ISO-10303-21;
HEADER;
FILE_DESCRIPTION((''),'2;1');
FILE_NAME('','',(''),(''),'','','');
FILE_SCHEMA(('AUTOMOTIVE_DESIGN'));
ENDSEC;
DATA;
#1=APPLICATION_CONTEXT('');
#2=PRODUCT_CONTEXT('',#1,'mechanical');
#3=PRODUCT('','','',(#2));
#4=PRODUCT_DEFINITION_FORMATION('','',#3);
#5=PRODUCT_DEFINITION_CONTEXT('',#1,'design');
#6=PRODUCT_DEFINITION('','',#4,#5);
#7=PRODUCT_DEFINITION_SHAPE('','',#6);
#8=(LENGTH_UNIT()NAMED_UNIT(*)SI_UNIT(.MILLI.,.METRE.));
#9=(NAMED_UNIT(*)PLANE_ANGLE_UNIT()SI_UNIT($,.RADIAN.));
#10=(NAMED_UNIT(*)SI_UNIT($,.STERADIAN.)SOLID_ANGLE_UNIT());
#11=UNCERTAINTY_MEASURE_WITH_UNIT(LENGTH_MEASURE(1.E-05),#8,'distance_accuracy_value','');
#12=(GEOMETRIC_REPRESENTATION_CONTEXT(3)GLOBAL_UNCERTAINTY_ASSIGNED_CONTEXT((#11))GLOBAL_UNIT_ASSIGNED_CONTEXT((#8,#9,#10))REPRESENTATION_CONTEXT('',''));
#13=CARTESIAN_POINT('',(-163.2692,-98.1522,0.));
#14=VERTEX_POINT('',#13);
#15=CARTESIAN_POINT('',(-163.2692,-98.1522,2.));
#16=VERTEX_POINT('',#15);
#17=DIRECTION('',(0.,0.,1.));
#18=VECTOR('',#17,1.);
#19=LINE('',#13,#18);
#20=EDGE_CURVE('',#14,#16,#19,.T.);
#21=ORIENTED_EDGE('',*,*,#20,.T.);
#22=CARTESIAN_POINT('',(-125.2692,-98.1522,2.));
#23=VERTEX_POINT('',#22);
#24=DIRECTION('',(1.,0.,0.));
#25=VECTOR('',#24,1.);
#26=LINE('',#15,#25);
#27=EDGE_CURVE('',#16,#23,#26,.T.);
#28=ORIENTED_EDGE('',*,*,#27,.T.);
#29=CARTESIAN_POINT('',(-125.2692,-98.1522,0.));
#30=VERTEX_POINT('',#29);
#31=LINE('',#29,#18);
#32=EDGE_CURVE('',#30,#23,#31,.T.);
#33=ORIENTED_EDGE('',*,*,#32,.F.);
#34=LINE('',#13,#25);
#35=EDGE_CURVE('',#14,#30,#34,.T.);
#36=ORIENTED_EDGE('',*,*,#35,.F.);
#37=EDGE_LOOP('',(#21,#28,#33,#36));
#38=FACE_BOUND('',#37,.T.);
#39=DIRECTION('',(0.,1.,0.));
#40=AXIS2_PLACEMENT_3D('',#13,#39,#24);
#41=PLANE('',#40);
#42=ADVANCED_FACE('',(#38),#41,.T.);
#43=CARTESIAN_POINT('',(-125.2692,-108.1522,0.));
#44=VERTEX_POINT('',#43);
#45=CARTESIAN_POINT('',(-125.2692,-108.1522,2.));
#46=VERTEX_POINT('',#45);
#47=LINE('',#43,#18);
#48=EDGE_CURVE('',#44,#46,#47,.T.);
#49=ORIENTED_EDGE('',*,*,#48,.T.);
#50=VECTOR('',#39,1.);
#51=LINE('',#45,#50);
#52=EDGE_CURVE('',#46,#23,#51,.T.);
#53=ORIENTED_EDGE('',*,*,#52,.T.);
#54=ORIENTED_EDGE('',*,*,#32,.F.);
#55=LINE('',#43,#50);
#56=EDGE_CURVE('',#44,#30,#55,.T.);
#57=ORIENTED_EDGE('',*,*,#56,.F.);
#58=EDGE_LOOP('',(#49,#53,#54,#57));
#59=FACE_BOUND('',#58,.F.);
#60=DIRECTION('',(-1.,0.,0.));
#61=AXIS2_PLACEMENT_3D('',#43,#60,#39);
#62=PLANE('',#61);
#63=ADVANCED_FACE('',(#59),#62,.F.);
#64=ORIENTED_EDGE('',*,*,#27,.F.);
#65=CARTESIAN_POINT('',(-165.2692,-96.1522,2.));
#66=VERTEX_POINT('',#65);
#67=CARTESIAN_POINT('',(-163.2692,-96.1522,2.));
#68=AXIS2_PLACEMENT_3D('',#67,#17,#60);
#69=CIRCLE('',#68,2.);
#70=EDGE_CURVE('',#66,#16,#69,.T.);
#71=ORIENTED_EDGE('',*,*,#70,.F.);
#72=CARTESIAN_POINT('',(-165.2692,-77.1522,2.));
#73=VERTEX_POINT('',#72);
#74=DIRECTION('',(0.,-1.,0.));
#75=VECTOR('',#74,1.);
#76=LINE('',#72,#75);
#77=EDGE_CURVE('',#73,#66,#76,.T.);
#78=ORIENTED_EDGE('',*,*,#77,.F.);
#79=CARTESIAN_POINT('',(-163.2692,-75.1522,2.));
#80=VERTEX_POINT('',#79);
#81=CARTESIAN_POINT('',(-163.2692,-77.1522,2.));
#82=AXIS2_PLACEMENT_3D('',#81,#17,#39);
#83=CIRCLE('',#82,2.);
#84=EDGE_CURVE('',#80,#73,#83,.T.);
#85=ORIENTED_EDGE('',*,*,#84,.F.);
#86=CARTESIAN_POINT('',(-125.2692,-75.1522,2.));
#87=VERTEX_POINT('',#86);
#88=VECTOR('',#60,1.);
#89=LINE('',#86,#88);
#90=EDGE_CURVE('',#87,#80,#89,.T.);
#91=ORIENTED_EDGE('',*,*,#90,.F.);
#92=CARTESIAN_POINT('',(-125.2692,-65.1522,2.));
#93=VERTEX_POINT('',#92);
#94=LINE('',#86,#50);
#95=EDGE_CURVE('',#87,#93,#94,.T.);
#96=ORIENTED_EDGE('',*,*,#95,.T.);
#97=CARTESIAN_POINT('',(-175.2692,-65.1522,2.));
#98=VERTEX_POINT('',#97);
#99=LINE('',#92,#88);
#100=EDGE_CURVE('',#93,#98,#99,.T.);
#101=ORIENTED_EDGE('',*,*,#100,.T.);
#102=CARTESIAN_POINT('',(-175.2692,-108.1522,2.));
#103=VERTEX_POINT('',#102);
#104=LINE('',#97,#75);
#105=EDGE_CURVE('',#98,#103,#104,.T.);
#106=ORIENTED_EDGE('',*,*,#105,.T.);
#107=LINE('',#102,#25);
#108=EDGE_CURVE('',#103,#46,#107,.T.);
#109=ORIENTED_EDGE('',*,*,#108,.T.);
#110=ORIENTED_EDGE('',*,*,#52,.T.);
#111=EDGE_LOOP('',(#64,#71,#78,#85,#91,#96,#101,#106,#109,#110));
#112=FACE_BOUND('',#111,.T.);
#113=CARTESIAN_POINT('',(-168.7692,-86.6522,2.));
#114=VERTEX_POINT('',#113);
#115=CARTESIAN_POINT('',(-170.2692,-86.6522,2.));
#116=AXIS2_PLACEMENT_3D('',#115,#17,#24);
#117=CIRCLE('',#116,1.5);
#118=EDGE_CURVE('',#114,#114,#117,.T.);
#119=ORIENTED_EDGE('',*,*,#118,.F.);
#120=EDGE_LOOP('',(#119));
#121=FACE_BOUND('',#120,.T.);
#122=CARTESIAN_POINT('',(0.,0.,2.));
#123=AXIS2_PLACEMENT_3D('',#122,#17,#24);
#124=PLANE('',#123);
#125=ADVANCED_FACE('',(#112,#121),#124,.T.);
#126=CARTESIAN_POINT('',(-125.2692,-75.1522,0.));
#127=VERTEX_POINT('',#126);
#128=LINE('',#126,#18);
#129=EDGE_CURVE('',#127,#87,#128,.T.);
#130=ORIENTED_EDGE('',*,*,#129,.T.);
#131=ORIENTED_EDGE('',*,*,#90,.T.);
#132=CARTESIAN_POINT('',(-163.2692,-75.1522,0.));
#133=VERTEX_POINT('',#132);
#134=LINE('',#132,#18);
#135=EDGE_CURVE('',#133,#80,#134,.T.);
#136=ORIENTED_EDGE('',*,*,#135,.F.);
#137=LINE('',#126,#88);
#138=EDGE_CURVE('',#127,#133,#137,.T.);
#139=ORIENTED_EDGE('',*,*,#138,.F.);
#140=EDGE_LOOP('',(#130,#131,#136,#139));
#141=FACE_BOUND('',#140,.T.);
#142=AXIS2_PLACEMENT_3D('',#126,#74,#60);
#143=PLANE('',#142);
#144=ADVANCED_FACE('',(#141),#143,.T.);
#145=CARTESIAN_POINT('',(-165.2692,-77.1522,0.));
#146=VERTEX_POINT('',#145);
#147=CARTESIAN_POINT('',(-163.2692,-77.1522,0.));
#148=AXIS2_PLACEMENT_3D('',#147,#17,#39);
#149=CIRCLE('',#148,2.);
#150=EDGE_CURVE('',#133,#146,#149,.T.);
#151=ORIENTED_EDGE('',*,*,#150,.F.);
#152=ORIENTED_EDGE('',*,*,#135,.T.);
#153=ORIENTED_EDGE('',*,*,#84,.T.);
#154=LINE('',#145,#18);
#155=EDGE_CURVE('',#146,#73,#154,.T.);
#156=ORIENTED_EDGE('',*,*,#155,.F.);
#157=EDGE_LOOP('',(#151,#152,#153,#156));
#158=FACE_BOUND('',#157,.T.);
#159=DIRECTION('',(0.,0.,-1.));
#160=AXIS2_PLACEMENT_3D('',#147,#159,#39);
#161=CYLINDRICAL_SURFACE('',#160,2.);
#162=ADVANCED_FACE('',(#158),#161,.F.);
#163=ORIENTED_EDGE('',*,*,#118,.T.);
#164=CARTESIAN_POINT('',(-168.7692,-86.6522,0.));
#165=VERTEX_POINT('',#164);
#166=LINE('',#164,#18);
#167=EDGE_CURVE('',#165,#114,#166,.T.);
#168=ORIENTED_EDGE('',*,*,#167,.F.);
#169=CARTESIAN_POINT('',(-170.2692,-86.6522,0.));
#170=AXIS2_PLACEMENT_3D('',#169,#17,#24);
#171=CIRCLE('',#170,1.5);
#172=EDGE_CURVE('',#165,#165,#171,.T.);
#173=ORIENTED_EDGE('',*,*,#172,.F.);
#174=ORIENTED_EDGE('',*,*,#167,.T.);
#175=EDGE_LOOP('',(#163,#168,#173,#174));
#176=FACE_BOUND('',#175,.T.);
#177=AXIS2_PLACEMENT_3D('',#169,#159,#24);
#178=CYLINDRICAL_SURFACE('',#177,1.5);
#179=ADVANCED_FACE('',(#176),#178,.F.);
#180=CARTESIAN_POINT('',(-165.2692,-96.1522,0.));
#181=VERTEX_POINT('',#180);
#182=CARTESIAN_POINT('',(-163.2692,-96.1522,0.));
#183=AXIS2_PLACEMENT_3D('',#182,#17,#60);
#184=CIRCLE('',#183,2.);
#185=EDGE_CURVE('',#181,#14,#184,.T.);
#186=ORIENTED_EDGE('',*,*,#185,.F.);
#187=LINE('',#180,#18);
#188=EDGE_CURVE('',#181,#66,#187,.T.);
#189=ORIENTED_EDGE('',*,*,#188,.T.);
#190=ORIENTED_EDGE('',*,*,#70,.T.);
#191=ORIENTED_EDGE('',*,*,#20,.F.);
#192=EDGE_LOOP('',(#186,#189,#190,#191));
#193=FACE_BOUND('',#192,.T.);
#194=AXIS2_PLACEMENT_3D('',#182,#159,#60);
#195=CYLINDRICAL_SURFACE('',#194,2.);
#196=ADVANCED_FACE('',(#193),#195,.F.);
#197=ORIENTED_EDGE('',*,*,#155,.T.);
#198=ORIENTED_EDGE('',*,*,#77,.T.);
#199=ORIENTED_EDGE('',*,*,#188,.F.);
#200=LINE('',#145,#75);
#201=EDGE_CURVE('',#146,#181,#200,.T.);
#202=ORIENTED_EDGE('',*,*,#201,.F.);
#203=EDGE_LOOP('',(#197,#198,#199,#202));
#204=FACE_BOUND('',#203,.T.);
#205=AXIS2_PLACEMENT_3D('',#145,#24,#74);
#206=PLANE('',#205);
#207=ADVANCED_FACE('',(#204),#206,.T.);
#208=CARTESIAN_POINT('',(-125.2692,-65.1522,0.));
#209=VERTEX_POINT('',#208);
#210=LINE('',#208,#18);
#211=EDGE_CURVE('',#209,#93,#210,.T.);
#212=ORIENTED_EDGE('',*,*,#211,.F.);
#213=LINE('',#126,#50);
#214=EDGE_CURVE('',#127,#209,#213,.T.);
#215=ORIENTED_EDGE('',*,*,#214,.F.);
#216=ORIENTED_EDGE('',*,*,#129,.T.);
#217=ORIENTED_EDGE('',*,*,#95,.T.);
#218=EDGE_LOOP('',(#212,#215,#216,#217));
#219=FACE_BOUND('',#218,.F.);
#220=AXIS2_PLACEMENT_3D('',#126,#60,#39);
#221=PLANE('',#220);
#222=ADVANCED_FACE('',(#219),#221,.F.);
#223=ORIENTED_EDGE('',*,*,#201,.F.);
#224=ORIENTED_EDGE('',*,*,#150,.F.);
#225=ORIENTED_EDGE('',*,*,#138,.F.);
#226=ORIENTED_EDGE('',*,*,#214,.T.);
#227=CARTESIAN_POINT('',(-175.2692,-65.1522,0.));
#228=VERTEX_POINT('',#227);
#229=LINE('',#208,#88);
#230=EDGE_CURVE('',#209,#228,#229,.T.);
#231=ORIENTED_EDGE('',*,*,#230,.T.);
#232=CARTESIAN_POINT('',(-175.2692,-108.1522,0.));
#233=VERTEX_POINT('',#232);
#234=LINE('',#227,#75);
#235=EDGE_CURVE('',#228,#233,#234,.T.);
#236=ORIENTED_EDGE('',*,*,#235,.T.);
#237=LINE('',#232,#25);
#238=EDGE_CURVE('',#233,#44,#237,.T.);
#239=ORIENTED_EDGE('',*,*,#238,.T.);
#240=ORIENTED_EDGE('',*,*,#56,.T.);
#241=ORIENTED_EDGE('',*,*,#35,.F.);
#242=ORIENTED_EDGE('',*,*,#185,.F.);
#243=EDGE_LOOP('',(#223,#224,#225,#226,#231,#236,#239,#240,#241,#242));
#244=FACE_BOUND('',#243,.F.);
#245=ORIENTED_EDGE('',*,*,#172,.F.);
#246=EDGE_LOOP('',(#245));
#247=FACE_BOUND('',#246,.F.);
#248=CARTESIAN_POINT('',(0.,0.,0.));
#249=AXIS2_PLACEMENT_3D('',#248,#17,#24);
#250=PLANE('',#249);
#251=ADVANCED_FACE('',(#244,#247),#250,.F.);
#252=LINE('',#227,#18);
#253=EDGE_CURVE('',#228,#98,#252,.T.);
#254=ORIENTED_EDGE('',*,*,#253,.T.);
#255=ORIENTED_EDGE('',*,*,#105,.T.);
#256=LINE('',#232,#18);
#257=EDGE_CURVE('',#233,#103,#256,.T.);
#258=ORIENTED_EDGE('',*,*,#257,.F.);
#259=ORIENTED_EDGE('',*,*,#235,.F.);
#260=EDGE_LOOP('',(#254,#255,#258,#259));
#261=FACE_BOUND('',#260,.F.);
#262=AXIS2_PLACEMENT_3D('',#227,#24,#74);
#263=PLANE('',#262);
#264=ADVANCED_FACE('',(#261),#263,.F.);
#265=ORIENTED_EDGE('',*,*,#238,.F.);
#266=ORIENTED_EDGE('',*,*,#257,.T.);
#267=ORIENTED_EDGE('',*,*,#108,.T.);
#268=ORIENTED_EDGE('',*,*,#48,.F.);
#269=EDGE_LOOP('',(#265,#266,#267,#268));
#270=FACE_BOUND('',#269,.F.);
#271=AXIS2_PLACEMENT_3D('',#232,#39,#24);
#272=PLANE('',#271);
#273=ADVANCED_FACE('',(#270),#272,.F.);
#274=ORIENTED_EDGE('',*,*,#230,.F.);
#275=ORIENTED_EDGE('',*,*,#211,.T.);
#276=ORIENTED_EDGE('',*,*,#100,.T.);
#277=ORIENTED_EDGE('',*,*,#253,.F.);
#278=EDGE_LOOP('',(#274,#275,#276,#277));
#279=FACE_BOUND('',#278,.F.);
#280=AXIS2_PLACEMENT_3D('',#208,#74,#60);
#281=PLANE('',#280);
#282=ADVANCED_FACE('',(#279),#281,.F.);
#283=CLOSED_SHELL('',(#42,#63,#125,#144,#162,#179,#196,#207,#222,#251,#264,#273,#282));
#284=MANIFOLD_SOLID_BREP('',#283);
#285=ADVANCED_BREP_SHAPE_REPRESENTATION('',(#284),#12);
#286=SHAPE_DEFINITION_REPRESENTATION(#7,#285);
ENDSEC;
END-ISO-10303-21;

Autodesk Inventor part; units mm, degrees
ref_plane "YZ Plane" through (0, 0, 0) normal (1, 0, 0) x (0, 1, 0)
ref_plane "XZ Plane" through (0, 0, 0) normal (0, 1, 0) x (-1, 0, 0)
ref_plane "XY Plane" through (0, 0, 0) normal (0, 0, 1) x (1, 0, 0)
sketch "Sketch1" plane through (0, 0, 0) normal (0, 0, 1) x (1, 0, 0)
  circle A0 centre (-170.2692, -86.6522) radius 1.5
  line L0 (-175.2692, -65.1522) -> (-175.2692, -108.1522)
  arc A1 (-163.2692, -75.1522) -> (-165.2692, -77.1522) centre (-163.2692, -77.1522) ccw
  line L1 (-125.2692, -65.1522) -> (-175.2692, -65.1522)
  line L2 (-165.2692, -77.1522) -> (-165.2692, -96.1522)
  line L3 (-125.2692, -75.1522) -> (-125.2692, -65.1522)
  line L4 (-125.2692, -75.1522) -> (-163.2692, -75.1522)
  arc A2 (-165.2692, -96.1522) -> (-163.2692, -98.1522) centre (-163.2692, -96.1522) ccw
  line L5 (-175.2692, -108.1522) -> (-125.2692, -108.1522)
  line L6 (-125.2692, -108.1522) -> (-125.2692, -98.1522)
  line L7 (-163.2692, -98.1522) -> (-125.2692, -98.1522)
  point P0 (0, 0)
  point P1 (-165.2692, -75.1522)
  point P2 (-165.2692, -98.1522)
  dimension "d0" = 40
  dimension "d1" = 23
  dimension "d2" = 2
  dimension "d3" = 10
  dimension "d4" = 50
  dimension "d5" = 43
  dimension "d6" = 3
  dimension "d7" = 5
  dimension "d8" = 21.5
extrude "Extrusion1" add sketch "Sketch1" along normal blind 2
properties part number "cetakan sepatu 2"
